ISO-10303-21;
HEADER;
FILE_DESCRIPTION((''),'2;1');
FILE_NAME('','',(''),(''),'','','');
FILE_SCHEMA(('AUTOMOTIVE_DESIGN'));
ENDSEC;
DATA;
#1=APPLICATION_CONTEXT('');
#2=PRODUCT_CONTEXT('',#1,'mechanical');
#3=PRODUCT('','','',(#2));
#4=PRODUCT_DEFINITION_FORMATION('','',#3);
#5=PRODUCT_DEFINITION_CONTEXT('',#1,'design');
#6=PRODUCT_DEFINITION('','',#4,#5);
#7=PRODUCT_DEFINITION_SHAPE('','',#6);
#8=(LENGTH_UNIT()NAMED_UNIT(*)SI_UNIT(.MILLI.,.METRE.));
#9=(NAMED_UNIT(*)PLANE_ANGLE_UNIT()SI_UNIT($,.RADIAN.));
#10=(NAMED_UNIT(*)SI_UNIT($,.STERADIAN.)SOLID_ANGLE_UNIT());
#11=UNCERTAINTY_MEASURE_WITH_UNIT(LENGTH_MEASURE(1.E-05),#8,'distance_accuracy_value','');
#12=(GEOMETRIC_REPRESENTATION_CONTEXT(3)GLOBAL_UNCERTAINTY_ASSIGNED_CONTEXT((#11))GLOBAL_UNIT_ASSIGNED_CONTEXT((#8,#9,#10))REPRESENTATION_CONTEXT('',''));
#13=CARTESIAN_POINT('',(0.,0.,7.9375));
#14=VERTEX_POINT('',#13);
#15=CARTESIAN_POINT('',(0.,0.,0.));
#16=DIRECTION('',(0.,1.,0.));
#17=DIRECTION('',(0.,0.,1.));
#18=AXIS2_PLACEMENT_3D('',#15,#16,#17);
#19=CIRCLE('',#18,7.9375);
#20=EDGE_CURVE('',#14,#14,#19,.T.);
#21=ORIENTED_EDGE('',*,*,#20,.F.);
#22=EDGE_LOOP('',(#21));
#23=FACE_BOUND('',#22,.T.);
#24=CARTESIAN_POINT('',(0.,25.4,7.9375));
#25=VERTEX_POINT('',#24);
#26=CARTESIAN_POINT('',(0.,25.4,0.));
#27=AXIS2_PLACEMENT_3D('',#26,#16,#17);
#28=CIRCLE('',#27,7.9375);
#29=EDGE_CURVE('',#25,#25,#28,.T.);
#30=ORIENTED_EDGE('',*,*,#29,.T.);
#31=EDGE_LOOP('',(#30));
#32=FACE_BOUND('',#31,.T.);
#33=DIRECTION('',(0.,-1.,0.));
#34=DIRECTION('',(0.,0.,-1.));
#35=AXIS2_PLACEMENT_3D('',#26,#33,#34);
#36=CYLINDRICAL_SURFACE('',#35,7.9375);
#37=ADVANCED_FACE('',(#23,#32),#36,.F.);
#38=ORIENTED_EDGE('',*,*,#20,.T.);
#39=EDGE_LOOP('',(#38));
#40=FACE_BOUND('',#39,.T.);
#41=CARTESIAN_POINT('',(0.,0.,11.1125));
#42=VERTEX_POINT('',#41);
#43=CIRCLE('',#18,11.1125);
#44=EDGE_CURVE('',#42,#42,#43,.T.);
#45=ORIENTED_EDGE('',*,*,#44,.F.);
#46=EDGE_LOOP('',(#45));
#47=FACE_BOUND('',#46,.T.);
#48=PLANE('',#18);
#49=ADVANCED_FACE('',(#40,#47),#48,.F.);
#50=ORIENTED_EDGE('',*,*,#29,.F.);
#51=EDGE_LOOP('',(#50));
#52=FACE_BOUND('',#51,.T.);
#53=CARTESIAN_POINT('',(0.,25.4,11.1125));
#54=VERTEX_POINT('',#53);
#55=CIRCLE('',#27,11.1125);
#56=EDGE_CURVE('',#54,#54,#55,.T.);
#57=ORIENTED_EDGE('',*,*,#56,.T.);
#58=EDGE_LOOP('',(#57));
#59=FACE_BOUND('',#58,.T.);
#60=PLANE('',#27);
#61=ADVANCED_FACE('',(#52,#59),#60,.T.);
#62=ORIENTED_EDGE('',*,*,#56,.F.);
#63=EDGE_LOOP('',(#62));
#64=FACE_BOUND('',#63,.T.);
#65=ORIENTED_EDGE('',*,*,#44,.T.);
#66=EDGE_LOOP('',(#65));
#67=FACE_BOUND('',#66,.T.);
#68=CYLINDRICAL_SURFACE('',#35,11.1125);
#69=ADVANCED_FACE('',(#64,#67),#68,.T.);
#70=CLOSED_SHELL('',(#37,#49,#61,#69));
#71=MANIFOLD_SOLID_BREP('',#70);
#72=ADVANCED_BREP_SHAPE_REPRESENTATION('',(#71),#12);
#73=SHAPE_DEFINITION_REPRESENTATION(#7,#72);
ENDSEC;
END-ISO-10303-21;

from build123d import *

# Parameters (mm, degrees)
SKETCH1_R           = 11.1125
SKETCH1_R_2         = 7.9375
BOSS_EXTRUDE1_DEPTH = 25.4


with BuildPart() as part:
    # Sketch1 → Boss-Extrude1 (new body)
    with BuildSketch(Plane(origin=(0, 0, 0), x_dir=(1, 0, 0), z_dir=(0, 1, 0))):
        Circle(SKETCH1_R)
        Circle(SKETCH1_R_2, mode=Mode.SUBTRACT)
    extrude(amount=BOSS_EXTRUDE1_DEPTH)


solid = part.part
